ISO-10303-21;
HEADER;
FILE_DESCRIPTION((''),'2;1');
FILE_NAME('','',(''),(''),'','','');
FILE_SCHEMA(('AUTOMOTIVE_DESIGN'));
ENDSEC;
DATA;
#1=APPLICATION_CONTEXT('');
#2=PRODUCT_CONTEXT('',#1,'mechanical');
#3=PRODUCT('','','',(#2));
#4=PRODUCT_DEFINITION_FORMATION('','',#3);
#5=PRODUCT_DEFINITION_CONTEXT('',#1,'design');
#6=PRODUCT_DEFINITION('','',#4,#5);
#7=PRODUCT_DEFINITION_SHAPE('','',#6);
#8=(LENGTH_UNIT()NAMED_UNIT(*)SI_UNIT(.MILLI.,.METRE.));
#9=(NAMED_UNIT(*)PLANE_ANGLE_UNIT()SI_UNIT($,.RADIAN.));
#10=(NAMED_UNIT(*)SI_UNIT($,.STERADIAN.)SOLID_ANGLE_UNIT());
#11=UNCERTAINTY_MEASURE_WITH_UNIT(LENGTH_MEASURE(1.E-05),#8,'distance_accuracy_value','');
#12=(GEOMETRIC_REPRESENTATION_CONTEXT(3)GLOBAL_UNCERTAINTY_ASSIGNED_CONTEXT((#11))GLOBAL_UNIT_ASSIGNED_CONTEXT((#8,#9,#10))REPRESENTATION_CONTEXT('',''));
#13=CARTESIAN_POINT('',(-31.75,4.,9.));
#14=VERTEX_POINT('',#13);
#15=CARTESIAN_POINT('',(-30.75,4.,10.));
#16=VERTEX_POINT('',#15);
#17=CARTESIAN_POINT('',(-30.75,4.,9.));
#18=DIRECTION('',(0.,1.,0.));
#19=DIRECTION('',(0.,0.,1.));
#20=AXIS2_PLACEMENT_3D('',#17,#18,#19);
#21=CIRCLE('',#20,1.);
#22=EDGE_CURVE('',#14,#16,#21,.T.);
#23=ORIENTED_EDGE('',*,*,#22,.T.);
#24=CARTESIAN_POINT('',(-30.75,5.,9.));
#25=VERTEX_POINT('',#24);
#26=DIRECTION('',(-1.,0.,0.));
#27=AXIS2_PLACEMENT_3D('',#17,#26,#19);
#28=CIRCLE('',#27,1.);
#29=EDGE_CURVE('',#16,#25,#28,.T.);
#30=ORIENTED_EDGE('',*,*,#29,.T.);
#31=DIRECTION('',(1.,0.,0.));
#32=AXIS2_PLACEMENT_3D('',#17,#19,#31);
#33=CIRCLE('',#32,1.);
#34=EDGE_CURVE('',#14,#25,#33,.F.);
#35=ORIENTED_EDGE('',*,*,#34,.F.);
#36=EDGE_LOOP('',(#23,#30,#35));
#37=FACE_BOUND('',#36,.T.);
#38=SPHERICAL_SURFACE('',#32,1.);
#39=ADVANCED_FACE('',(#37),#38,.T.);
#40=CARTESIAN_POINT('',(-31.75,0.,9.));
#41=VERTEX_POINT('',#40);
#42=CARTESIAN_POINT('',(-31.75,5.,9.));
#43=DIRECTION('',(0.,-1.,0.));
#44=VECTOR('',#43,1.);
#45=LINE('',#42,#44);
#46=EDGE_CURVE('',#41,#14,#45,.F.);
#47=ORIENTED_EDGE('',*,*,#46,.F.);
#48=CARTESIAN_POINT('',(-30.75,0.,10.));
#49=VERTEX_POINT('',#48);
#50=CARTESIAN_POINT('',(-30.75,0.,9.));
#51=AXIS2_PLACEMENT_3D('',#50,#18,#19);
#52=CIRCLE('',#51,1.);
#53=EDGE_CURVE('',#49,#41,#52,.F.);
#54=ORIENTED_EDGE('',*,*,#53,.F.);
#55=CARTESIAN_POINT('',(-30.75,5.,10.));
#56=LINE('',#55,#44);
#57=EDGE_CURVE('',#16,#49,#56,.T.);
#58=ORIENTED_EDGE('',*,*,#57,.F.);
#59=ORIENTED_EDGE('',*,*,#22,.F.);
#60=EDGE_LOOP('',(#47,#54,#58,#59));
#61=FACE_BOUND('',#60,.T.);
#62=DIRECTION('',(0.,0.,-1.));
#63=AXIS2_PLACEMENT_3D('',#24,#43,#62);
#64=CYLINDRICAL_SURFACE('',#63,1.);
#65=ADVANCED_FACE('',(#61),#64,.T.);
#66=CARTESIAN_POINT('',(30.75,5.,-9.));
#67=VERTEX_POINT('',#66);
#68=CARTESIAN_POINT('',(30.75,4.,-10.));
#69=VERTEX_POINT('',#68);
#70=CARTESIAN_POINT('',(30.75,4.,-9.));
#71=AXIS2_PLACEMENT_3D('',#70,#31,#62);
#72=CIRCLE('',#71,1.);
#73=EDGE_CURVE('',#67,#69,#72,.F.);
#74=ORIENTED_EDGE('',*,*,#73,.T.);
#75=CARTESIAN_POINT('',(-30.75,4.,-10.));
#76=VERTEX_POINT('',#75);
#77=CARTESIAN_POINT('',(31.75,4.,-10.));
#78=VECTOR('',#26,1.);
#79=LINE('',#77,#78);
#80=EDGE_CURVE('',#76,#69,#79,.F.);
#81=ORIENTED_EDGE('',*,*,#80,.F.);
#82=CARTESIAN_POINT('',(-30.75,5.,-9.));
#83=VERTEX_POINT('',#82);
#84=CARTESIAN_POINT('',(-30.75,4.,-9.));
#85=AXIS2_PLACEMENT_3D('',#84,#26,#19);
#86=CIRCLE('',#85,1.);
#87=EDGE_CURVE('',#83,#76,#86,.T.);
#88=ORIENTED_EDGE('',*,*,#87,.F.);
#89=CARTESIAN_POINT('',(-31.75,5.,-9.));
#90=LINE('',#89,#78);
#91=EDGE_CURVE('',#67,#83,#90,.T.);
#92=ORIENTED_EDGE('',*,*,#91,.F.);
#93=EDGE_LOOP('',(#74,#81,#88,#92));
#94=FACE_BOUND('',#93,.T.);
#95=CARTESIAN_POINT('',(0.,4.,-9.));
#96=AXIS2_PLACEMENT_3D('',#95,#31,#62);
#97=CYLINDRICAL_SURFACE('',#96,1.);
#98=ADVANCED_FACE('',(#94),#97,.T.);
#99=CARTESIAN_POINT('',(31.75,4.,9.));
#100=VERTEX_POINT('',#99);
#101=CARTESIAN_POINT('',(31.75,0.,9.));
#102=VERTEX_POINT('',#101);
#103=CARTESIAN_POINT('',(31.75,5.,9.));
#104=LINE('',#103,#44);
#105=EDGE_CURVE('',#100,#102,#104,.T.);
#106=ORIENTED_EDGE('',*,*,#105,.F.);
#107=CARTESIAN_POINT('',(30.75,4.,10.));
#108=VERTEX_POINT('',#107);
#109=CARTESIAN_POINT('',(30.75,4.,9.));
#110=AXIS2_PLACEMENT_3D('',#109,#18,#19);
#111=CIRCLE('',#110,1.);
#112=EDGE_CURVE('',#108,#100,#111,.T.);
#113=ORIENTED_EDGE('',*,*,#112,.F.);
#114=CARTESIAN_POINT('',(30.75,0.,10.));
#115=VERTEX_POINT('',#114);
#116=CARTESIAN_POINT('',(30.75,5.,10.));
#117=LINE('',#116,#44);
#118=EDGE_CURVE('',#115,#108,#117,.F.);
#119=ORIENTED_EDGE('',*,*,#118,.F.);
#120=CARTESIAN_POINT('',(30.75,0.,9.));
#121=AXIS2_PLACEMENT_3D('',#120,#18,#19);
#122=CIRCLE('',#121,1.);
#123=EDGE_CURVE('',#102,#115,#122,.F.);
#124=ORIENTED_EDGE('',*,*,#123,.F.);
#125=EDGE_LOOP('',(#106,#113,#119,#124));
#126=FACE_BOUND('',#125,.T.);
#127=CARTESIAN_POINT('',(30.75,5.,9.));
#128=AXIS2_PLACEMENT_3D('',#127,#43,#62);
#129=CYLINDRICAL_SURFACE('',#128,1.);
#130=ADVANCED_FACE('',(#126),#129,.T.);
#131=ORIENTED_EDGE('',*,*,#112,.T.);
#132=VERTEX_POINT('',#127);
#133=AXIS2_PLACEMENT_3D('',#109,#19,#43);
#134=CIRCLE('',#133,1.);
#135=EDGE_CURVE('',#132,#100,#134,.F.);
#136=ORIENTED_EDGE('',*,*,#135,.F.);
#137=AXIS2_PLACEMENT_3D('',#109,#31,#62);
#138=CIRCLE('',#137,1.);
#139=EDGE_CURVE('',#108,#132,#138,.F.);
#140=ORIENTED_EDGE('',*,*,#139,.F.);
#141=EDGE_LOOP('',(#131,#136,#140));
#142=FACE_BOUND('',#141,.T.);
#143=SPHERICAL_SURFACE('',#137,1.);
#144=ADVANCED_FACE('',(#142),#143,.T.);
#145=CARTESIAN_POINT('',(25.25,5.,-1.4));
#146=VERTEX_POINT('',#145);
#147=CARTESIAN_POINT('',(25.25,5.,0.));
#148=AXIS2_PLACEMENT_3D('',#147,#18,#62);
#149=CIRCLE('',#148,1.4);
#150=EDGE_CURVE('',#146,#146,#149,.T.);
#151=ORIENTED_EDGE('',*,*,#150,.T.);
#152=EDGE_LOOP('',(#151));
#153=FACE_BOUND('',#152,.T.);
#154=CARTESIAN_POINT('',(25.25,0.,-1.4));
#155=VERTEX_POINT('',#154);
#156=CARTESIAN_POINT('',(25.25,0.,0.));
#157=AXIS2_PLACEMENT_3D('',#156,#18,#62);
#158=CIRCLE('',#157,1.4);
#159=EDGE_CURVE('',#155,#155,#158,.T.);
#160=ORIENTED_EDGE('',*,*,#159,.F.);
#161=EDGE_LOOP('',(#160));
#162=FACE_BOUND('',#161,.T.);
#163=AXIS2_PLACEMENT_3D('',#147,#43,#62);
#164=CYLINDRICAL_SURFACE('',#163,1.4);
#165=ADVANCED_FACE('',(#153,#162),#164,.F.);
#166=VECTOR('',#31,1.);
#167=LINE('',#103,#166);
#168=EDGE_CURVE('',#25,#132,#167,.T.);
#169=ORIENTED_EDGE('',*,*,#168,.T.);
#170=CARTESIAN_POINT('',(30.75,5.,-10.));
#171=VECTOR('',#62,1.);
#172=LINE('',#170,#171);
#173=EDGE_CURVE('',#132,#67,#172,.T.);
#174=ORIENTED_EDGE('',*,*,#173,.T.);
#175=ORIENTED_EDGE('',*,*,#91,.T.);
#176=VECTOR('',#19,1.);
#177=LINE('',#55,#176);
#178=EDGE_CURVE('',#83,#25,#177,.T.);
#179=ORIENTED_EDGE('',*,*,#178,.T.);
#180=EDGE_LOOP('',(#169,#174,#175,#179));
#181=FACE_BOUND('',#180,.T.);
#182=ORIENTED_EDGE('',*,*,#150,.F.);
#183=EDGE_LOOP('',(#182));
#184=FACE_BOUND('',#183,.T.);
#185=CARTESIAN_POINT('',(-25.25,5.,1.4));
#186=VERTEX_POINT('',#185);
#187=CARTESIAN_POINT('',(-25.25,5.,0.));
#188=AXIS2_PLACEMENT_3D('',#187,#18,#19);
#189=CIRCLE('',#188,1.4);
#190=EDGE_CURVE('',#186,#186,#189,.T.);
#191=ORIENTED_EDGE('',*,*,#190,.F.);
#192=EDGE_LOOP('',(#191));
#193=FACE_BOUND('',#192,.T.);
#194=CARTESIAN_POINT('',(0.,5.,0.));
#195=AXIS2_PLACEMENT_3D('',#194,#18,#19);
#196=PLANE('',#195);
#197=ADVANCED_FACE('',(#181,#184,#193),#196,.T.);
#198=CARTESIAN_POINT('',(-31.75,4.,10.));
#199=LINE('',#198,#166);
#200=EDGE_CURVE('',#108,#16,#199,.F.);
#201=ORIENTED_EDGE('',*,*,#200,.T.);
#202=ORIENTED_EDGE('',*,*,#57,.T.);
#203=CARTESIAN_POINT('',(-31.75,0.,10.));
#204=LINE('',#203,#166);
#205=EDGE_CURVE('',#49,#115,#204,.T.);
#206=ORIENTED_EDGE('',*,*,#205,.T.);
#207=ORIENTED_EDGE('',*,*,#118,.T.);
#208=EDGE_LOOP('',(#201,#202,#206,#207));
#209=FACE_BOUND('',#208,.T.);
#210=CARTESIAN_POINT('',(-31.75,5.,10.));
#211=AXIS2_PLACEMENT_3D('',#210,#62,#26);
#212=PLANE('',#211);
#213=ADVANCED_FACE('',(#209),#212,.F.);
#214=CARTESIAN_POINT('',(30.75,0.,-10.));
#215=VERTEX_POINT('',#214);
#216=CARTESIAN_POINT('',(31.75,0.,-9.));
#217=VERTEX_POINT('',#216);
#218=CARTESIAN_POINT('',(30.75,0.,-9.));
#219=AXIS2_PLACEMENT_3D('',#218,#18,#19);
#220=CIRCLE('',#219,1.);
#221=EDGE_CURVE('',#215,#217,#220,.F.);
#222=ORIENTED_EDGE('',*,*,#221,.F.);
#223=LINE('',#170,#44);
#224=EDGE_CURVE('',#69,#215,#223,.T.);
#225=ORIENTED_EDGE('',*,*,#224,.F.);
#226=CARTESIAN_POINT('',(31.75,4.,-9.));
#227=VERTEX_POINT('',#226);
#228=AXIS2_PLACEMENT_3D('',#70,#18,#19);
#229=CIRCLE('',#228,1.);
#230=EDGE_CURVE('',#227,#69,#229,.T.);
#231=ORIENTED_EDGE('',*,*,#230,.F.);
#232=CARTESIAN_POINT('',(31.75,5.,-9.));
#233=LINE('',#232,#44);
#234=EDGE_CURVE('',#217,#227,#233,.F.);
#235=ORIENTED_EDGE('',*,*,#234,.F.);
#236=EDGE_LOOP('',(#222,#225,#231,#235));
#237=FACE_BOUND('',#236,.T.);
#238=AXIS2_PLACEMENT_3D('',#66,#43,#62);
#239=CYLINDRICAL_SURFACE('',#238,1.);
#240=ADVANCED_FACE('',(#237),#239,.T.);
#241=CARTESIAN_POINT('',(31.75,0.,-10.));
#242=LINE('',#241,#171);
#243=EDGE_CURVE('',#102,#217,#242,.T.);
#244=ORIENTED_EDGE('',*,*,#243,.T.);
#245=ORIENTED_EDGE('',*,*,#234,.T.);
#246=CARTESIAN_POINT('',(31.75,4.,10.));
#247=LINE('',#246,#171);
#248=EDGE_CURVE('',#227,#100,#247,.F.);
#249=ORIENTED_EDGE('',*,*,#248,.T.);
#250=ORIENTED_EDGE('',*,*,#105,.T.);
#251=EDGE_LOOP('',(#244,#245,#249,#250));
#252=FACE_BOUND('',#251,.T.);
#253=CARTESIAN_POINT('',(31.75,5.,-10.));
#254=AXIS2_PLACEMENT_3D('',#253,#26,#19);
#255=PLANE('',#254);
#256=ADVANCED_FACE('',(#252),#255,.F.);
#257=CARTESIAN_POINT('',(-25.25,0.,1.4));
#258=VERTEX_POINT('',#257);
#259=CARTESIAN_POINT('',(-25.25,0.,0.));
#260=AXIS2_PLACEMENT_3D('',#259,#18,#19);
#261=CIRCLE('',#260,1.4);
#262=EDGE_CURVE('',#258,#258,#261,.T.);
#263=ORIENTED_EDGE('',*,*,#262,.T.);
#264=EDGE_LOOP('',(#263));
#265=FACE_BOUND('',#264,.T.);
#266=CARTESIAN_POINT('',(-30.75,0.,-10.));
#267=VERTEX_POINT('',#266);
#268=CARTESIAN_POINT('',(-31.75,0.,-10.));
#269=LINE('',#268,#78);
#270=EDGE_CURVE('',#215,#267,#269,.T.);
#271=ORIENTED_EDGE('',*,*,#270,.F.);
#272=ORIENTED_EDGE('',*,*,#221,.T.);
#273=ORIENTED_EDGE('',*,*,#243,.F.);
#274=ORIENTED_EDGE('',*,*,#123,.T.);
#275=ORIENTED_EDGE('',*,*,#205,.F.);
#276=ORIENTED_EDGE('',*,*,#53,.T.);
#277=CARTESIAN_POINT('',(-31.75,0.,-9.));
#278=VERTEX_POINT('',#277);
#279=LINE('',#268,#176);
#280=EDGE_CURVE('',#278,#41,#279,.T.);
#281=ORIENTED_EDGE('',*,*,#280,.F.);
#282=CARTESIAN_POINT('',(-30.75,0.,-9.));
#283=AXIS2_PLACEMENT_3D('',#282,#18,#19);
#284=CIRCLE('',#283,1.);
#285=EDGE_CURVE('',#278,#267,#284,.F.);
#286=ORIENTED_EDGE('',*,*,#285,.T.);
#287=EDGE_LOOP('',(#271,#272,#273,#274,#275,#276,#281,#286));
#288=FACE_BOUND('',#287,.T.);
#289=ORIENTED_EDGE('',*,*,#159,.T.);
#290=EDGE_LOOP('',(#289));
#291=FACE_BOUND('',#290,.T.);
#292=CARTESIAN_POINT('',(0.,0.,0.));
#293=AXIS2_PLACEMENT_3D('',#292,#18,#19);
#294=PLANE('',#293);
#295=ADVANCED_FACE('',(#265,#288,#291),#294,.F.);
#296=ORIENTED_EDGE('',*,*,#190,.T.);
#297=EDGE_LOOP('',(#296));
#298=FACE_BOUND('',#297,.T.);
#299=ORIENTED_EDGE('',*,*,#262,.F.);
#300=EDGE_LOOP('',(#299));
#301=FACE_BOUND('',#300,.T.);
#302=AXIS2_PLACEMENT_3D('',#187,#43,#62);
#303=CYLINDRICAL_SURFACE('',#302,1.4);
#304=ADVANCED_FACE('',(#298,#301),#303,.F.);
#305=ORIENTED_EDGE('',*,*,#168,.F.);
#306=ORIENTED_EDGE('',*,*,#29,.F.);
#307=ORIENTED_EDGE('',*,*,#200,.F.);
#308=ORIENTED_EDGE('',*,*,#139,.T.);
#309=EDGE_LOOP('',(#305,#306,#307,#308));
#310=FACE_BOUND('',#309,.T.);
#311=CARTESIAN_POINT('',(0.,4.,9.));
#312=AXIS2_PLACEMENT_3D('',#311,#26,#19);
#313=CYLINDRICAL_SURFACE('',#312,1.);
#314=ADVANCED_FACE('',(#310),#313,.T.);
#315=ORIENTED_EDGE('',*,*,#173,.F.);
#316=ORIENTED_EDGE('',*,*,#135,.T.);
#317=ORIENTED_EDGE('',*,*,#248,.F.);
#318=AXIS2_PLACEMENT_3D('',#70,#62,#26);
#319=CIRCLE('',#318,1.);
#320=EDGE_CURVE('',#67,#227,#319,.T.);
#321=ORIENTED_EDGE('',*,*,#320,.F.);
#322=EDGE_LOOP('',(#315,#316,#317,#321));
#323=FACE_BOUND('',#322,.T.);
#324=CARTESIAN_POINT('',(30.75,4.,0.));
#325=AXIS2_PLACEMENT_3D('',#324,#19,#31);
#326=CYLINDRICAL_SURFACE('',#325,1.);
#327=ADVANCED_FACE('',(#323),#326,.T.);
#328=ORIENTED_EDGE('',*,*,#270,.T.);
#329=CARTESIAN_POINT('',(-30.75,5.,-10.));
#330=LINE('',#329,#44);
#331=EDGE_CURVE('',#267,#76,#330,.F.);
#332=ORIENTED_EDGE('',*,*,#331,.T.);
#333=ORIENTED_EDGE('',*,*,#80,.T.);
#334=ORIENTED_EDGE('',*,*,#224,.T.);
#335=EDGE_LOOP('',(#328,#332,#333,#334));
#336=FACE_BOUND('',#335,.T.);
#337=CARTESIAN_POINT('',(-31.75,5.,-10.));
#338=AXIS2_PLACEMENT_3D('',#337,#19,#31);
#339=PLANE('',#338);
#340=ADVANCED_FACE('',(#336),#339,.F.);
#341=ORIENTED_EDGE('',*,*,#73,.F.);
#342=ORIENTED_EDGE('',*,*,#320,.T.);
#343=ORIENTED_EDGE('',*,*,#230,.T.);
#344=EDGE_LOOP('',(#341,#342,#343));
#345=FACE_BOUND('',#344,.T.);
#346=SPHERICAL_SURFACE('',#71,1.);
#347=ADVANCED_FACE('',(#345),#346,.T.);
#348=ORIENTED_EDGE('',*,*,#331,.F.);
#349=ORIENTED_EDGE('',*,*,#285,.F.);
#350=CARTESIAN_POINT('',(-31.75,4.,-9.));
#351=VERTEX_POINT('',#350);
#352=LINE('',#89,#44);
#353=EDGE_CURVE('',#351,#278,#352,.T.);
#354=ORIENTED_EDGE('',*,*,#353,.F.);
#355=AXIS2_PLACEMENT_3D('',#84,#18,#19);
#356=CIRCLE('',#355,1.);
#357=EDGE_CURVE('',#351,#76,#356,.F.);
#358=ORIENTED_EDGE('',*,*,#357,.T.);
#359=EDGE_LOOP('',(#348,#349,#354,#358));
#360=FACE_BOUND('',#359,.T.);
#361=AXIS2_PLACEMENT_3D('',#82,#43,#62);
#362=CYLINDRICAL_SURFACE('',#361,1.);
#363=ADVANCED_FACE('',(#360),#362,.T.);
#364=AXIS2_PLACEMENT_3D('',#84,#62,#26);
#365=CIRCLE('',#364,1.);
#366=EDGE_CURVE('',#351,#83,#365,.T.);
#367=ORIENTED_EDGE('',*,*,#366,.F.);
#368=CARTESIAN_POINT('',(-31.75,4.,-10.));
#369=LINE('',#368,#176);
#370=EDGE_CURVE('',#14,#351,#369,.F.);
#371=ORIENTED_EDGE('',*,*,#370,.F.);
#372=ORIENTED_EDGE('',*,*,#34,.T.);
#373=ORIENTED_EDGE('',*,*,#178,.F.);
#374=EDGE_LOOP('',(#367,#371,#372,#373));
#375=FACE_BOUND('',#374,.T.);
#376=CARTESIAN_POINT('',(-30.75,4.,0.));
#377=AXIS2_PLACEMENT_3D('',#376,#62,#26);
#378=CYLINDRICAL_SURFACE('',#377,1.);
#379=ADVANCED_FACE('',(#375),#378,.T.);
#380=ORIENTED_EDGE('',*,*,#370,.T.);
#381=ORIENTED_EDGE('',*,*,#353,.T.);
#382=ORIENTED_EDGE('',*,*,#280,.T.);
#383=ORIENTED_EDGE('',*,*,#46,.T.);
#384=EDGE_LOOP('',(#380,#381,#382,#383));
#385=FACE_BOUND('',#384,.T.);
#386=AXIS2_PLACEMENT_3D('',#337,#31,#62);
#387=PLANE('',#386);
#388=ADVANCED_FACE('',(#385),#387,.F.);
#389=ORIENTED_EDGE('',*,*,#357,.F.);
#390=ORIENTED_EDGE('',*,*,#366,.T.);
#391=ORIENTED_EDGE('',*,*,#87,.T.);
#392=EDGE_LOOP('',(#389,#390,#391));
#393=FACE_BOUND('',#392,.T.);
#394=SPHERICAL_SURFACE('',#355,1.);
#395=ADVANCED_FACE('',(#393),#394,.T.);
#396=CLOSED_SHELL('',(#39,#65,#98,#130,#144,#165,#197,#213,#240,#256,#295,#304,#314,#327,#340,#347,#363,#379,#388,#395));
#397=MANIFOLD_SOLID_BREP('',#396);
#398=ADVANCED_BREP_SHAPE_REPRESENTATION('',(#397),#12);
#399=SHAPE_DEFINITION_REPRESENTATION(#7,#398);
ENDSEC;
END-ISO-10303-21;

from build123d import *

# Parameters (mm, degrees)
SKETCH1_W            = 63.5
SKETCH1_H            = 20
SKETCH1_R            = 1.4
BASE_DEPTH           = 5
F_1MM_EDGE_FILLETS_R = 1


with BuildPart() as part:
    # Sketch1 → Base (new body)
    with BuildSketch(Plane(origin=(0, 0, 0), x_dir=(1, 0, 0), z_dir=(0, 1, 0))):
        Rectangle(SKETCH1_W, SKETCH1_H)
        with Locations((-25.25, 0)):
            Circle(SKETCH1_R, mode=Mode.SUBTRACT)
        with Locations((25.25, 0)):
            Circle(SKETCH1_R, mode=Mode.SUBTRACT)
    extrude(amount=BASE_DEPTH)

    # 1mm Edge Fillets
    f_1mm_edge_fillets_edges = [part.edges().sort_by_distance(p)[0] for p in [
        (-31.75, 2.5, -10),
        (0, 5, -10),
        (31.75, 2.5, -10),
        (31.75, 2.5, 10),
        (31.75, 5, 0),
        (-31.75, 5, 0),
        (0, 5, 10),
        (-31.75, 2.5, 10),
    ]]
    fillet(f_1mm_edge_fillets_edges, radius=F_1MM_EDGE_FILLETS_R)


solid = part.part
